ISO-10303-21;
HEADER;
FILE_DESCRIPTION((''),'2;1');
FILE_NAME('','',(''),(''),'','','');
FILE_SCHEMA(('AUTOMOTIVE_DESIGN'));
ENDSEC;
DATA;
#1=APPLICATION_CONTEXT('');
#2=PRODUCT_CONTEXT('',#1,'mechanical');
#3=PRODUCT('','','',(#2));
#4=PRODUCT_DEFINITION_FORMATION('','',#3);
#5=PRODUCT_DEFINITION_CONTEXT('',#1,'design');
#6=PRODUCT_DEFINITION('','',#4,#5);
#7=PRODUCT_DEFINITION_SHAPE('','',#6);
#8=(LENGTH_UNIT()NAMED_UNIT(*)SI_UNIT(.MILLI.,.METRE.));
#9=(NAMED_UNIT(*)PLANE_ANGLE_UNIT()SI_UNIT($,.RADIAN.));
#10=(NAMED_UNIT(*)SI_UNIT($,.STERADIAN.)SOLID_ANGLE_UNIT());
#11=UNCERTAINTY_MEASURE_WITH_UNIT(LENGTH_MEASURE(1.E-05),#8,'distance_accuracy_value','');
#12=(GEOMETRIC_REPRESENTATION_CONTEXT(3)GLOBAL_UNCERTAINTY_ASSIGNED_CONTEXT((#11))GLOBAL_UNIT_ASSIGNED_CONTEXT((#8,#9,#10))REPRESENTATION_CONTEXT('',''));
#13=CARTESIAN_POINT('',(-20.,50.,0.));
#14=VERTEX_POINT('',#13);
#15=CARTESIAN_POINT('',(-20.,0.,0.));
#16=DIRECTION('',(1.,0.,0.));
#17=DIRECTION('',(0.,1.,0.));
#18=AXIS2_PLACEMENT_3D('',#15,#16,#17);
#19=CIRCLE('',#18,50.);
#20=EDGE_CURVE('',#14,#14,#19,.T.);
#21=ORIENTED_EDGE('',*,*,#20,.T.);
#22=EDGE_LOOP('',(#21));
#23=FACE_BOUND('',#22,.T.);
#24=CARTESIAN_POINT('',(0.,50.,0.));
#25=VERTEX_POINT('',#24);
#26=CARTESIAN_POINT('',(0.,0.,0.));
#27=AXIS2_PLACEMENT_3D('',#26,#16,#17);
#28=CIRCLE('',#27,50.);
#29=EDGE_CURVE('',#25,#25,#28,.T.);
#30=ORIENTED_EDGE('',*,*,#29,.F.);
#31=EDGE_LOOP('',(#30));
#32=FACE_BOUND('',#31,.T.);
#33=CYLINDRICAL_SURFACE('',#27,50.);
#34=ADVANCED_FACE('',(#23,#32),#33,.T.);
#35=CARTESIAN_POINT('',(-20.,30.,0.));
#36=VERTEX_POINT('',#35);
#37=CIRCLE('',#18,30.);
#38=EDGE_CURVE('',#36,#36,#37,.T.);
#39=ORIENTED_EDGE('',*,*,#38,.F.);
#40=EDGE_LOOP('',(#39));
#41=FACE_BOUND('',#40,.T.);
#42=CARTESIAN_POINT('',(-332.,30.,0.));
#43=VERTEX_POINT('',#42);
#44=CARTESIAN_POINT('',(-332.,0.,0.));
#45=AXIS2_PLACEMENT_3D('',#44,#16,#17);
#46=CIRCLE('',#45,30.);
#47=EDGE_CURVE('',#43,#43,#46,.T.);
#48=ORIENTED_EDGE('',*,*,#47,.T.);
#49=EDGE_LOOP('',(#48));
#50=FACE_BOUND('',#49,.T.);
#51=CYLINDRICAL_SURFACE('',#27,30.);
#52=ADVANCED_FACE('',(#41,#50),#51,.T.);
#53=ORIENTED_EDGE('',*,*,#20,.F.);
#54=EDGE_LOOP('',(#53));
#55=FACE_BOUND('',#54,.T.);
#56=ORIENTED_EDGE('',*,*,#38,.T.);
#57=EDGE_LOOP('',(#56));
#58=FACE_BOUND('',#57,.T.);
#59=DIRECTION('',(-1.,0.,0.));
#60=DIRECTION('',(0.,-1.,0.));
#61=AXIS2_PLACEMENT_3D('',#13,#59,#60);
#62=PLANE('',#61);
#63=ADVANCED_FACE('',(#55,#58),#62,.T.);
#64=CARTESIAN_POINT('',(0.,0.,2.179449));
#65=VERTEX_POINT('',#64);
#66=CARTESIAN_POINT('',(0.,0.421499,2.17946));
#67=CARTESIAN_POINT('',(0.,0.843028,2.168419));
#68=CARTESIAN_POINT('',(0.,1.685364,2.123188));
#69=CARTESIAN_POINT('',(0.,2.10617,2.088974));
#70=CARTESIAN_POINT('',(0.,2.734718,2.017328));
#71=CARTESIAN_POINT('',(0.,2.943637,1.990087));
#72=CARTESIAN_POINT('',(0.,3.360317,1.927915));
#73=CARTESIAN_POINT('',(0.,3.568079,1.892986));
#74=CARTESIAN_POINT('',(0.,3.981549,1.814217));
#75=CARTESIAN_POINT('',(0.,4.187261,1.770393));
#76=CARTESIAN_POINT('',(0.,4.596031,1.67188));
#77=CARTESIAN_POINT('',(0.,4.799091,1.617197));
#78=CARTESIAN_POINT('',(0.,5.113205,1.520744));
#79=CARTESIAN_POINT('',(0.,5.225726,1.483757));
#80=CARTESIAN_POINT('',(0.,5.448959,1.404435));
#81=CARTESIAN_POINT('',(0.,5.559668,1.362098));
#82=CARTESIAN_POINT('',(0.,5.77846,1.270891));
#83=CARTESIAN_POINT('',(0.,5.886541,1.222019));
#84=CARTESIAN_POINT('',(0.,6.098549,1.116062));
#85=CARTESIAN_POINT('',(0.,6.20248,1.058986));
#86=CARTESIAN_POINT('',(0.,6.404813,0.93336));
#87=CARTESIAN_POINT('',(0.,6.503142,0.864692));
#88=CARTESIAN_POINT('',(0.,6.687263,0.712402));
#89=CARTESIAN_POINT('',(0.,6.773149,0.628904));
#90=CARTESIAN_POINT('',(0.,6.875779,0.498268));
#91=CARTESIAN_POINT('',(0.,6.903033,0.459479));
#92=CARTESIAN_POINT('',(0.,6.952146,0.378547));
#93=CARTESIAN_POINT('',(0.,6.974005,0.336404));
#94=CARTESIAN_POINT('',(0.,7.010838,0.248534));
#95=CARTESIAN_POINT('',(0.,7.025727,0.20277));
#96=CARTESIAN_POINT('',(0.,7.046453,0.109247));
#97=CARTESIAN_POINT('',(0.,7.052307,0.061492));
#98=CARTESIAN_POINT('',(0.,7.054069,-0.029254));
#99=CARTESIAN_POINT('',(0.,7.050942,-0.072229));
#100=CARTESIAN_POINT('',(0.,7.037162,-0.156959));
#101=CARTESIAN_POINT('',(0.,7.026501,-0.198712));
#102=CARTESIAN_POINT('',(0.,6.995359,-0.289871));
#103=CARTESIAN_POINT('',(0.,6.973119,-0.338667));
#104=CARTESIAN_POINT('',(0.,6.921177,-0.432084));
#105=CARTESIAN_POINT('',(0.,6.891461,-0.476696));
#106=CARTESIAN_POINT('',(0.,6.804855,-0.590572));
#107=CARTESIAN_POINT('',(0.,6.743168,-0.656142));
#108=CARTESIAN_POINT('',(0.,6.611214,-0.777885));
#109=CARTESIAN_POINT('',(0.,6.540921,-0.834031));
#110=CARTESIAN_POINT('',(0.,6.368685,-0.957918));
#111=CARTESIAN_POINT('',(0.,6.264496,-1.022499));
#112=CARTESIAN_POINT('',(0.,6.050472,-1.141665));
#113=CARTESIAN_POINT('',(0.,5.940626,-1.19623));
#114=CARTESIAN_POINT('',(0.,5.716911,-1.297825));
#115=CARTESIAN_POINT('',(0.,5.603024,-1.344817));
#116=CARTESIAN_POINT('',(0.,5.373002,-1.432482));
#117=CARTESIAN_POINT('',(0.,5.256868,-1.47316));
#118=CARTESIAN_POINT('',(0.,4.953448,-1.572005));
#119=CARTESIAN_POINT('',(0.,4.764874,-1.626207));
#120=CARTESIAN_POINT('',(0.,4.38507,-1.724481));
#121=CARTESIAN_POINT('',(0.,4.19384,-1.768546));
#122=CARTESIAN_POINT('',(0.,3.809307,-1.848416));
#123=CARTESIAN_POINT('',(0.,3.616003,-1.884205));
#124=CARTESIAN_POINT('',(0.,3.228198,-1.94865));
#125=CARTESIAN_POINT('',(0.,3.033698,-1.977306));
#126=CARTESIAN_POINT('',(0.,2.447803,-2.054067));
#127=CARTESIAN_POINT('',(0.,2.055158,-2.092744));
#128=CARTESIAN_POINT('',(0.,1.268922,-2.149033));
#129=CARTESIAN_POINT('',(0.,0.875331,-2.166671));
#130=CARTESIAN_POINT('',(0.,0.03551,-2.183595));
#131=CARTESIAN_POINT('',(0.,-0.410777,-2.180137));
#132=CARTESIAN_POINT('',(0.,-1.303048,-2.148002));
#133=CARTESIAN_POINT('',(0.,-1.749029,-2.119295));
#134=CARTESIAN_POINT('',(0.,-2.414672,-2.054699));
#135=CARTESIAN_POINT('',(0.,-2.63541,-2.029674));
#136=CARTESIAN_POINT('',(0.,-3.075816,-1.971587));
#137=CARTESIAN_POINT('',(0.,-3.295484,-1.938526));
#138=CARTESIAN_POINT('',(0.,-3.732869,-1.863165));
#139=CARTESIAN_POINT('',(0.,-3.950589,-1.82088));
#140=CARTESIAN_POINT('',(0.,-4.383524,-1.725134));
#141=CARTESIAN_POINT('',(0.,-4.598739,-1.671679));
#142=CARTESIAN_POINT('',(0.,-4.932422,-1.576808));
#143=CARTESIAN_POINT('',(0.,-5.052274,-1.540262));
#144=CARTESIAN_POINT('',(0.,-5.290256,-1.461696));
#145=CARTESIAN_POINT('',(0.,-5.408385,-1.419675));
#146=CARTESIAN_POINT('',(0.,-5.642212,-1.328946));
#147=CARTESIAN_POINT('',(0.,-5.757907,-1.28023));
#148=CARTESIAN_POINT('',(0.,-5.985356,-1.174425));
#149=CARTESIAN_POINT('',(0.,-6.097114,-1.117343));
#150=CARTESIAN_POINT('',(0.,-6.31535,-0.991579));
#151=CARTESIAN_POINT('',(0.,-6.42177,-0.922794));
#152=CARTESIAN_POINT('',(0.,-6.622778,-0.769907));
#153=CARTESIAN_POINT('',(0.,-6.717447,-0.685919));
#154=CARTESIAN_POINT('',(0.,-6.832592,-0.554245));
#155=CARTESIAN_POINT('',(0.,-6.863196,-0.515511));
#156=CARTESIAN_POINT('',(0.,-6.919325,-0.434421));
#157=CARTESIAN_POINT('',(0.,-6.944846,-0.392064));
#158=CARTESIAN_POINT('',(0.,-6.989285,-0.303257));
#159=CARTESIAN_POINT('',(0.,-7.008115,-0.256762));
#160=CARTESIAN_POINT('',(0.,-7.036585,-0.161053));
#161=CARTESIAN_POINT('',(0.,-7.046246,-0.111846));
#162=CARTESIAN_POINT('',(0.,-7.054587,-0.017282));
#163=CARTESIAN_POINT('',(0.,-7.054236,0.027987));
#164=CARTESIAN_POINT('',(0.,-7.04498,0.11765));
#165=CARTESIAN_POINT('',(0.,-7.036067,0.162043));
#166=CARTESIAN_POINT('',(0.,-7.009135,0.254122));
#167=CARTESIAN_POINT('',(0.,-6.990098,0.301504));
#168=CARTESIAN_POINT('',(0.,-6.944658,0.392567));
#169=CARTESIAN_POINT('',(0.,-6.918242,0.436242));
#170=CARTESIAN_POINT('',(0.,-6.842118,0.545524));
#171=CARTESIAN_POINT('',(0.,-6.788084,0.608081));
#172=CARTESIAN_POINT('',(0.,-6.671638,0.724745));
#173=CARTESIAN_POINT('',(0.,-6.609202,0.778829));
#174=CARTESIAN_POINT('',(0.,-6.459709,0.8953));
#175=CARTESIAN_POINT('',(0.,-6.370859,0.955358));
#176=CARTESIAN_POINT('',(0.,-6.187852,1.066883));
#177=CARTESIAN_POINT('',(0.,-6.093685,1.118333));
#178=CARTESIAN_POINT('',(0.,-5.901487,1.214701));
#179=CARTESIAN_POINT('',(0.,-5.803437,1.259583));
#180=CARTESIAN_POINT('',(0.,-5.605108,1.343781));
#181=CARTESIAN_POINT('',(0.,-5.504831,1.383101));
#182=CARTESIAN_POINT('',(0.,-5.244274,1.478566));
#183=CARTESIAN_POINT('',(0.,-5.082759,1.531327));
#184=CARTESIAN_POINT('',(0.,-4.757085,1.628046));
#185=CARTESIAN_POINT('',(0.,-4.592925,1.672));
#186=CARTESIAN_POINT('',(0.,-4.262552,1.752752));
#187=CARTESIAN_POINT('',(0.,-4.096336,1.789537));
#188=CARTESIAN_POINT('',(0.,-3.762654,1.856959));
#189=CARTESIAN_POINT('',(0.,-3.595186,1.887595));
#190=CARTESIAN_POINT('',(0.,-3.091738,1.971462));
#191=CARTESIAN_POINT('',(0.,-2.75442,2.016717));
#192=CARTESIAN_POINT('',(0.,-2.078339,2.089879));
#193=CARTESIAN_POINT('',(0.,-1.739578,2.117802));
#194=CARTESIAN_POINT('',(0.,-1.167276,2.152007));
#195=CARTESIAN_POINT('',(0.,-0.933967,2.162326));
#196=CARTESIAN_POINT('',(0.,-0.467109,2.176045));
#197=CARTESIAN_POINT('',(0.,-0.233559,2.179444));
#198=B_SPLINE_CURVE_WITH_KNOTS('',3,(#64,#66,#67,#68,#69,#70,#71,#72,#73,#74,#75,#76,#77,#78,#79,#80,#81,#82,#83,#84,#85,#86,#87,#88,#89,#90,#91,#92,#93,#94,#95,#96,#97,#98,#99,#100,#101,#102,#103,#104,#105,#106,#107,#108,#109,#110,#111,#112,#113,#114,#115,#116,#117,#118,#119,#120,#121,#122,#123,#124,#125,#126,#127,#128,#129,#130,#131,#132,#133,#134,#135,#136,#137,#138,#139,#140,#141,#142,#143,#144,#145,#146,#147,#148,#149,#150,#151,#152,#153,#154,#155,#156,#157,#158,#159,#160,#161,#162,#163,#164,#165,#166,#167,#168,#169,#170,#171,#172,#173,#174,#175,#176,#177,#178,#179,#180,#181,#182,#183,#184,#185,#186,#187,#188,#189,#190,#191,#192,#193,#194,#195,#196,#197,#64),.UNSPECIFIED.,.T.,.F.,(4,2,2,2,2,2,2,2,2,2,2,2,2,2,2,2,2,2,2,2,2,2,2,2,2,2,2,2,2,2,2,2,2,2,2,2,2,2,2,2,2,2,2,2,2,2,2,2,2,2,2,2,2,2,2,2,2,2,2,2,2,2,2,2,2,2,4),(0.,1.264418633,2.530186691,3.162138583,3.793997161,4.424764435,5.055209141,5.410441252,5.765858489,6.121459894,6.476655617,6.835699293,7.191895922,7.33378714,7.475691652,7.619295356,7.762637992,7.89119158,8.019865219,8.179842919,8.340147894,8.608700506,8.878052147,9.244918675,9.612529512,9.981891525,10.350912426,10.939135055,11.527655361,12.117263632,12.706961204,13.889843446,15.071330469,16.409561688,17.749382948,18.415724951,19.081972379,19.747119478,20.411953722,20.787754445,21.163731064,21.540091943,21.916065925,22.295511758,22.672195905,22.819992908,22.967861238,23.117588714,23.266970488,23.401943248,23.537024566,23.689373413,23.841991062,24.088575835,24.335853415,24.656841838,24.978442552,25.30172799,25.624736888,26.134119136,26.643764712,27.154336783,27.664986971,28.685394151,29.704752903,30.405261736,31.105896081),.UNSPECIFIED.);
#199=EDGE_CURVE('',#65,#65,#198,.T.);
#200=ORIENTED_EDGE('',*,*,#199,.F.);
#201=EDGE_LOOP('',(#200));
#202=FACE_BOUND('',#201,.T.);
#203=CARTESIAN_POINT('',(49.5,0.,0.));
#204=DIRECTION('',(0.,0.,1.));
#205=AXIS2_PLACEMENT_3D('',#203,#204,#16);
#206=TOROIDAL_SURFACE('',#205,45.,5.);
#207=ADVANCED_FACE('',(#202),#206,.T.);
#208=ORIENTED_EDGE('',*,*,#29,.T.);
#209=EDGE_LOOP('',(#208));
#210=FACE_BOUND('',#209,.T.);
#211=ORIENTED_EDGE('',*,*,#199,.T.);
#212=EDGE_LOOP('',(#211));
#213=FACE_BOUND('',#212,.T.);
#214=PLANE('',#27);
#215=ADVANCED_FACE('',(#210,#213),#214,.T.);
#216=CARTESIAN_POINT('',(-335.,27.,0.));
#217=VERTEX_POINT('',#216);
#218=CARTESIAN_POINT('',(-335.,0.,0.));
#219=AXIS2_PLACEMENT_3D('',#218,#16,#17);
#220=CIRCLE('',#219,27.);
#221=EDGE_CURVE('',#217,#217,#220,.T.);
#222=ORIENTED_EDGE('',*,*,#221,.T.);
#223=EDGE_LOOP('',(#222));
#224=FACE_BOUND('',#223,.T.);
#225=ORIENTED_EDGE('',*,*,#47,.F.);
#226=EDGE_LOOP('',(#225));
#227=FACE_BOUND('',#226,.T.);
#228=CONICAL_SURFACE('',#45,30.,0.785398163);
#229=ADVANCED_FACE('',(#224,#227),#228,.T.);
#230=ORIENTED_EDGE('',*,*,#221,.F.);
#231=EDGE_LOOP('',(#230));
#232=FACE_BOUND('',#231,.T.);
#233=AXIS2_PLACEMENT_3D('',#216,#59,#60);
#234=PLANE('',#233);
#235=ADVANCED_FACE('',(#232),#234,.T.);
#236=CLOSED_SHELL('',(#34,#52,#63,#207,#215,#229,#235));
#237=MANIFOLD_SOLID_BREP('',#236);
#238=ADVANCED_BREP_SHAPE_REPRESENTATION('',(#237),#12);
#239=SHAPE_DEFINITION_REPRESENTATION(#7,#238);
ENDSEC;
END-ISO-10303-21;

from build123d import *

# Parameters (mm, degrees)
SKETCH_2_R = 5


with BuildPart() as part:
    # 草图1 → 旋转1 (revolve)
    with BuildSketch(Plane.XY):
        Polygon((0, 0), (-335, 0), (-335, 27), (-332, 30), (-20, 30), (-20, 50), (0, 50), align=None)
    revolve(axis=Axis((0, 0, 0), (-1, 0, 0)))

    # 草图2 → 旋转2 (revolve)
    with BuildSketch(Plane(origin=(0, 0, 0), x_dir=(1, 0, 0), z_dir=(0, 1, 0)), mode=Mode.PRIVATE) as revolve_2_sk:
        with Locations((4.5, 0)):
            Circle(SKETCH_2_R)
    revolve(revolve_2_sk.sketch.rotate(Axis((49.5, 0, 1000), (0, 0, -1)), 265.94519807), axis=Axis((49.5, 0, 1000), (0, 0, -1)))


solid = part.part
